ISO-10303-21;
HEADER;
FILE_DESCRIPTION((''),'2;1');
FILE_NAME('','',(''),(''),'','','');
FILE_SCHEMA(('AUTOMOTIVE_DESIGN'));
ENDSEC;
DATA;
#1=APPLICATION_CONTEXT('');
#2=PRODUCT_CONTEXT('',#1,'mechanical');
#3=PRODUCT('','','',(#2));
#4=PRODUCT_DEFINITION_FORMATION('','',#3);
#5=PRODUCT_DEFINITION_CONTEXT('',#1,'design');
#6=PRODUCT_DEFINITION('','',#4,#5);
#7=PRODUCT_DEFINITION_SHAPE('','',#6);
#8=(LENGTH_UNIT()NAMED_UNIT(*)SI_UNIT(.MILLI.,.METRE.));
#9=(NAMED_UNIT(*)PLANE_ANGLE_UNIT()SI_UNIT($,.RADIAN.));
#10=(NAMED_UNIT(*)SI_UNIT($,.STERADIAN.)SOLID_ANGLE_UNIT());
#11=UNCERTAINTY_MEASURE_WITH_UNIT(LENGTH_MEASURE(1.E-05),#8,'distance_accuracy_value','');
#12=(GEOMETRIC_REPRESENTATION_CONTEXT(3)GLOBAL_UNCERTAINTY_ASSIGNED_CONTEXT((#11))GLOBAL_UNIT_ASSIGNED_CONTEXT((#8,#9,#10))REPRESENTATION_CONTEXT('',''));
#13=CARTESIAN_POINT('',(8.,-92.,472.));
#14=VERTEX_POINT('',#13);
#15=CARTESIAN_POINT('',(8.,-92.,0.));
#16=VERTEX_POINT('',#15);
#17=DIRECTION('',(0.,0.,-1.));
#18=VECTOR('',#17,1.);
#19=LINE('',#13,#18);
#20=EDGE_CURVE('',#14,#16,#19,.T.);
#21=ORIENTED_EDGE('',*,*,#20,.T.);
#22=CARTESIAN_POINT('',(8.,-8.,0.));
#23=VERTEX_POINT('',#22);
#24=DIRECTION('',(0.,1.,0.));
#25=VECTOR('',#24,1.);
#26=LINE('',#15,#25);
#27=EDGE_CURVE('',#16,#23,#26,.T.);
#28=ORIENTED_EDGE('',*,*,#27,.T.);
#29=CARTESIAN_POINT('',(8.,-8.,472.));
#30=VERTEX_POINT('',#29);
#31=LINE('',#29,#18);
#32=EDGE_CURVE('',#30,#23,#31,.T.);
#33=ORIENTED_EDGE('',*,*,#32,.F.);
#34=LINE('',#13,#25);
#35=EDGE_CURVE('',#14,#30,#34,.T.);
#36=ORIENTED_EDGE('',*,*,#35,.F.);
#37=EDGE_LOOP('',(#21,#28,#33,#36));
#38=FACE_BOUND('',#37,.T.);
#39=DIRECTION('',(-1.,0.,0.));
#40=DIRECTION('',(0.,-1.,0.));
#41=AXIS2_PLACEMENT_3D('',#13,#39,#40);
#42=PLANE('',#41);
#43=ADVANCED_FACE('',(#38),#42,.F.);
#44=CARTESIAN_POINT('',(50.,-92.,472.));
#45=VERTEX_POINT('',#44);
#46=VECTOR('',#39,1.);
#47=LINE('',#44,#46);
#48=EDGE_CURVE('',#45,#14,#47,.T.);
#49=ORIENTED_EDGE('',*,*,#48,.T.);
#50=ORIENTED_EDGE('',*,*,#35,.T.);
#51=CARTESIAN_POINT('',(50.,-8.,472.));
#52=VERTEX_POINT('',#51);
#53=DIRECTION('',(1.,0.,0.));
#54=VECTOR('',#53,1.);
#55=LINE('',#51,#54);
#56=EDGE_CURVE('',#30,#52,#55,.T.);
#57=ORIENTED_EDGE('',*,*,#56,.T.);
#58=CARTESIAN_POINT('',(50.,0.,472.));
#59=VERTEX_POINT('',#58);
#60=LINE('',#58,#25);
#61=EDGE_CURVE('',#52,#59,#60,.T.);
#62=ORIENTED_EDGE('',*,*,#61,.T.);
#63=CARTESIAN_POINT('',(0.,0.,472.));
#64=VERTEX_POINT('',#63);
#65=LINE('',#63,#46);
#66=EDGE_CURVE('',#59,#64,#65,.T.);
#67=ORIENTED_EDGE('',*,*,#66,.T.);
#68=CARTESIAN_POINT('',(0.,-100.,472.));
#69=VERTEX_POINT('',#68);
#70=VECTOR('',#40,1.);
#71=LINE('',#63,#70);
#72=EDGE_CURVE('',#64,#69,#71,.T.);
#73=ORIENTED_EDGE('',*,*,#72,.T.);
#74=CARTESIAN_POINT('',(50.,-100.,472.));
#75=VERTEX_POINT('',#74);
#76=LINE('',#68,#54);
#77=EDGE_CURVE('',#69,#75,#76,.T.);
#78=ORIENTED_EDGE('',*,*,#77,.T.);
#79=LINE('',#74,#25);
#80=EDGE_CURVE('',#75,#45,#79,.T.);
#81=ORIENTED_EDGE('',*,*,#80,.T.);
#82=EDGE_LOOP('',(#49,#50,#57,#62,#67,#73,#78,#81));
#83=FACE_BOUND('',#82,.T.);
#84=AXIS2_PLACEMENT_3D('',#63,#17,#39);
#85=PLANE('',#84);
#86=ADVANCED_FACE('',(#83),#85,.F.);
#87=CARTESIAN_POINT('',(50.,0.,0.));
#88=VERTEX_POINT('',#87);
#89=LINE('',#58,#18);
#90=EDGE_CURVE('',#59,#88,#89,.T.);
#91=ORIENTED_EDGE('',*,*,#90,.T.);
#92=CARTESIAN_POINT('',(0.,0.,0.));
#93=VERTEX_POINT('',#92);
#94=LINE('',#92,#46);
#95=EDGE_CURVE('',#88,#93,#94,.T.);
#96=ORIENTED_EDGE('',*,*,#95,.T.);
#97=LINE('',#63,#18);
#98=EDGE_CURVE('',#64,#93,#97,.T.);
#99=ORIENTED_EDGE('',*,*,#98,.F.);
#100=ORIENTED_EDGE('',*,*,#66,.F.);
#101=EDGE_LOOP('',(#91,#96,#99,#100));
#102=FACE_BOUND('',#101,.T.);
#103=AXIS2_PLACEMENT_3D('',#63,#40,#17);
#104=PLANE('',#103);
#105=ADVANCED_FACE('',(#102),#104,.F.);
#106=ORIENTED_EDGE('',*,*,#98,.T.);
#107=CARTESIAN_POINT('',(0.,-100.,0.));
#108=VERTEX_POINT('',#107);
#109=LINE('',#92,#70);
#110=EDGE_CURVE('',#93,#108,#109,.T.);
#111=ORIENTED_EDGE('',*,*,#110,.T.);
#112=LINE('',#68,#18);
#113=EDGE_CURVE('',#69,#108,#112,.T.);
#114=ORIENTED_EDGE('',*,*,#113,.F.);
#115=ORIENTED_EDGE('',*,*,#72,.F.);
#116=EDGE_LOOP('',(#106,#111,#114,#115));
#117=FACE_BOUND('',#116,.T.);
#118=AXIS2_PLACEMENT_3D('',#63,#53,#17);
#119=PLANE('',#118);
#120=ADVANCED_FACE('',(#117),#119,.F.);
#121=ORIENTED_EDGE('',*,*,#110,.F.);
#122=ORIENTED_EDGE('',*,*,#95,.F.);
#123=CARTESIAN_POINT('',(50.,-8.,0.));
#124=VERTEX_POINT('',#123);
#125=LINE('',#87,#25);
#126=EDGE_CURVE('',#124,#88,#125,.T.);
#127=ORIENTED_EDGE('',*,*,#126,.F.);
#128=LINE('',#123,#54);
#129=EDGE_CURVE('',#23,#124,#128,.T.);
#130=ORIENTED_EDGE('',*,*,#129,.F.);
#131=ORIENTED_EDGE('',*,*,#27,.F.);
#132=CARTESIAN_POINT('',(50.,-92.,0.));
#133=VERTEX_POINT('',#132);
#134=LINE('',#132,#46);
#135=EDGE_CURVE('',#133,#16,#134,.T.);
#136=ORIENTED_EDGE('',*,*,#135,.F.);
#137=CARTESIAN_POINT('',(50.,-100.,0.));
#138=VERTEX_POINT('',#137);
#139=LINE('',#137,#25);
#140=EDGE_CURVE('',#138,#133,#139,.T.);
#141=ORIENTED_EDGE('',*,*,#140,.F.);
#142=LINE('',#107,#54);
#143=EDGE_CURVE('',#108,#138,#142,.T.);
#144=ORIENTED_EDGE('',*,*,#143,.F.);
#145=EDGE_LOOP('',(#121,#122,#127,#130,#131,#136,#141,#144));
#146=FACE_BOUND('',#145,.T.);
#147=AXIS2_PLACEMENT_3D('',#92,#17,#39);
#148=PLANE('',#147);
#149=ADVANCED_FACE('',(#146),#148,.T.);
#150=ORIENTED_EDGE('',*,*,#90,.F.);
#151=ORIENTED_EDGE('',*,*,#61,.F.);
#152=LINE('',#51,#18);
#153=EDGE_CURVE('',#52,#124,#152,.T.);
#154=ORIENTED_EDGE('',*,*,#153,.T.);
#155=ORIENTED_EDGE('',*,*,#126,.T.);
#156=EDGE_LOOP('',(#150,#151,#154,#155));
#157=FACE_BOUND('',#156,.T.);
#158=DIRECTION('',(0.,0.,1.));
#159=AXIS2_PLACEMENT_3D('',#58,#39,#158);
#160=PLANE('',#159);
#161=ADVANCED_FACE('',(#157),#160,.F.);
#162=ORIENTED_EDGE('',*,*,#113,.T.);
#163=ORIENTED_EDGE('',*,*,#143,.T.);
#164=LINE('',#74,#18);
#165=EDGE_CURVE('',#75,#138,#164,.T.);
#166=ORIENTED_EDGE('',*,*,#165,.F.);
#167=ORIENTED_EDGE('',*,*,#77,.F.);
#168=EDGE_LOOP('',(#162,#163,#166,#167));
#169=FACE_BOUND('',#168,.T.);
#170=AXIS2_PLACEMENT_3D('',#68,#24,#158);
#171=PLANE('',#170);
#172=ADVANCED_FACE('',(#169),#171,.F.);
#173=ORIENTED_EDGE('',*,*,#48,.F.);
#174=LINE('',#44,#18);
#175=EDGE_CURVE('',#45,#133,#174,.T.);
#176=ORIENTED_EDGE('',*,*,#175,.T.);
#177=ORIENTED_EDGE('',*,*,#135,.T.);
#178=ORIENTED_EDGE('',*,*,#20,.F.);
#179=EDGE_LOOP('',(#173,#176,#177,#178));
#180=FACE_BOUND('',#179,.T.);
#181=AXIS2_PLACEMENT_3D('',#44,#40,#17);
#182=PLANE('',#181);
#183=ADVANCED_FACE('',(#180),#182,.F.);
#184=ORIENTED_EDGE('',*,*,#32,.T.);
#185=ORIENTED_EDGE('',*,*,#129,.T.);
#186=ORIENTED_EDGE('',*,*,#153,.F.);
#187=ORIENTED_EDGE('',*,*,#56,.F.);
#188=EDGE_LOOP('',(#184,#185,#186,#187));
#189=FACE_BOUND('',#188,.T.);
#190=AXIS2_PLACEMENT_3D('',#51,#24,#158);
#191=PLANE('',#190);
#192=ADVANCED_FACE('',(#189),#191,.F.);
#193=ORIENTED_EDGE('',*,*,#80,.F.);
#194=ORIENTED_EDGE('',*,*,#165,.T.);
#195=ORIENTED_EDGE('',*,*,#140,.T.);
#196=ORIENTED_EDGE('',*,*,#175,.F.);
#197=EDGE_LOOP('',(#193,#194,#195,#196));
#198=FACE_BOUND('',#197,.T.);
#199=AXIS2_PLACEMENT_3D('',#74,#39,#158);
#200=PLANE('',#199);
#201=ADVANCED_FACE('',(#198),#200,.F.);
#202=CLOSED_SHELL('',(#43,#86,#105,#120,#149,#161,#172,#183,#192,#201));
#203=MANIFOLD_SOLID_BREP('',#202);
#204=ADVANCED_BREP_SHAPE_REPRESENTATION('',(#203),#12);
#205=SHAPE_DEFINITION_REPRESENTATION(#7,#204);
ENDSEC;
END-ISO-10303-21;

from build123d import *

# Parameters (mm, degrees)
BOSS_EXTRUDE1_DEPTH = 472


with BuildPart() as part:
    # Sketch1 → Boss-Extrude1 (new body)
    with BuildSketch(Plane.XY):
        Polygon((0, 0), (0, -100), (50, -100), (50, -92), (8, -92), (8, -8), (50, -8), (50, 0), align=None)
    extrude(amount=BOSS_EXTRUDE1_DEPTH)


solid = part.part
